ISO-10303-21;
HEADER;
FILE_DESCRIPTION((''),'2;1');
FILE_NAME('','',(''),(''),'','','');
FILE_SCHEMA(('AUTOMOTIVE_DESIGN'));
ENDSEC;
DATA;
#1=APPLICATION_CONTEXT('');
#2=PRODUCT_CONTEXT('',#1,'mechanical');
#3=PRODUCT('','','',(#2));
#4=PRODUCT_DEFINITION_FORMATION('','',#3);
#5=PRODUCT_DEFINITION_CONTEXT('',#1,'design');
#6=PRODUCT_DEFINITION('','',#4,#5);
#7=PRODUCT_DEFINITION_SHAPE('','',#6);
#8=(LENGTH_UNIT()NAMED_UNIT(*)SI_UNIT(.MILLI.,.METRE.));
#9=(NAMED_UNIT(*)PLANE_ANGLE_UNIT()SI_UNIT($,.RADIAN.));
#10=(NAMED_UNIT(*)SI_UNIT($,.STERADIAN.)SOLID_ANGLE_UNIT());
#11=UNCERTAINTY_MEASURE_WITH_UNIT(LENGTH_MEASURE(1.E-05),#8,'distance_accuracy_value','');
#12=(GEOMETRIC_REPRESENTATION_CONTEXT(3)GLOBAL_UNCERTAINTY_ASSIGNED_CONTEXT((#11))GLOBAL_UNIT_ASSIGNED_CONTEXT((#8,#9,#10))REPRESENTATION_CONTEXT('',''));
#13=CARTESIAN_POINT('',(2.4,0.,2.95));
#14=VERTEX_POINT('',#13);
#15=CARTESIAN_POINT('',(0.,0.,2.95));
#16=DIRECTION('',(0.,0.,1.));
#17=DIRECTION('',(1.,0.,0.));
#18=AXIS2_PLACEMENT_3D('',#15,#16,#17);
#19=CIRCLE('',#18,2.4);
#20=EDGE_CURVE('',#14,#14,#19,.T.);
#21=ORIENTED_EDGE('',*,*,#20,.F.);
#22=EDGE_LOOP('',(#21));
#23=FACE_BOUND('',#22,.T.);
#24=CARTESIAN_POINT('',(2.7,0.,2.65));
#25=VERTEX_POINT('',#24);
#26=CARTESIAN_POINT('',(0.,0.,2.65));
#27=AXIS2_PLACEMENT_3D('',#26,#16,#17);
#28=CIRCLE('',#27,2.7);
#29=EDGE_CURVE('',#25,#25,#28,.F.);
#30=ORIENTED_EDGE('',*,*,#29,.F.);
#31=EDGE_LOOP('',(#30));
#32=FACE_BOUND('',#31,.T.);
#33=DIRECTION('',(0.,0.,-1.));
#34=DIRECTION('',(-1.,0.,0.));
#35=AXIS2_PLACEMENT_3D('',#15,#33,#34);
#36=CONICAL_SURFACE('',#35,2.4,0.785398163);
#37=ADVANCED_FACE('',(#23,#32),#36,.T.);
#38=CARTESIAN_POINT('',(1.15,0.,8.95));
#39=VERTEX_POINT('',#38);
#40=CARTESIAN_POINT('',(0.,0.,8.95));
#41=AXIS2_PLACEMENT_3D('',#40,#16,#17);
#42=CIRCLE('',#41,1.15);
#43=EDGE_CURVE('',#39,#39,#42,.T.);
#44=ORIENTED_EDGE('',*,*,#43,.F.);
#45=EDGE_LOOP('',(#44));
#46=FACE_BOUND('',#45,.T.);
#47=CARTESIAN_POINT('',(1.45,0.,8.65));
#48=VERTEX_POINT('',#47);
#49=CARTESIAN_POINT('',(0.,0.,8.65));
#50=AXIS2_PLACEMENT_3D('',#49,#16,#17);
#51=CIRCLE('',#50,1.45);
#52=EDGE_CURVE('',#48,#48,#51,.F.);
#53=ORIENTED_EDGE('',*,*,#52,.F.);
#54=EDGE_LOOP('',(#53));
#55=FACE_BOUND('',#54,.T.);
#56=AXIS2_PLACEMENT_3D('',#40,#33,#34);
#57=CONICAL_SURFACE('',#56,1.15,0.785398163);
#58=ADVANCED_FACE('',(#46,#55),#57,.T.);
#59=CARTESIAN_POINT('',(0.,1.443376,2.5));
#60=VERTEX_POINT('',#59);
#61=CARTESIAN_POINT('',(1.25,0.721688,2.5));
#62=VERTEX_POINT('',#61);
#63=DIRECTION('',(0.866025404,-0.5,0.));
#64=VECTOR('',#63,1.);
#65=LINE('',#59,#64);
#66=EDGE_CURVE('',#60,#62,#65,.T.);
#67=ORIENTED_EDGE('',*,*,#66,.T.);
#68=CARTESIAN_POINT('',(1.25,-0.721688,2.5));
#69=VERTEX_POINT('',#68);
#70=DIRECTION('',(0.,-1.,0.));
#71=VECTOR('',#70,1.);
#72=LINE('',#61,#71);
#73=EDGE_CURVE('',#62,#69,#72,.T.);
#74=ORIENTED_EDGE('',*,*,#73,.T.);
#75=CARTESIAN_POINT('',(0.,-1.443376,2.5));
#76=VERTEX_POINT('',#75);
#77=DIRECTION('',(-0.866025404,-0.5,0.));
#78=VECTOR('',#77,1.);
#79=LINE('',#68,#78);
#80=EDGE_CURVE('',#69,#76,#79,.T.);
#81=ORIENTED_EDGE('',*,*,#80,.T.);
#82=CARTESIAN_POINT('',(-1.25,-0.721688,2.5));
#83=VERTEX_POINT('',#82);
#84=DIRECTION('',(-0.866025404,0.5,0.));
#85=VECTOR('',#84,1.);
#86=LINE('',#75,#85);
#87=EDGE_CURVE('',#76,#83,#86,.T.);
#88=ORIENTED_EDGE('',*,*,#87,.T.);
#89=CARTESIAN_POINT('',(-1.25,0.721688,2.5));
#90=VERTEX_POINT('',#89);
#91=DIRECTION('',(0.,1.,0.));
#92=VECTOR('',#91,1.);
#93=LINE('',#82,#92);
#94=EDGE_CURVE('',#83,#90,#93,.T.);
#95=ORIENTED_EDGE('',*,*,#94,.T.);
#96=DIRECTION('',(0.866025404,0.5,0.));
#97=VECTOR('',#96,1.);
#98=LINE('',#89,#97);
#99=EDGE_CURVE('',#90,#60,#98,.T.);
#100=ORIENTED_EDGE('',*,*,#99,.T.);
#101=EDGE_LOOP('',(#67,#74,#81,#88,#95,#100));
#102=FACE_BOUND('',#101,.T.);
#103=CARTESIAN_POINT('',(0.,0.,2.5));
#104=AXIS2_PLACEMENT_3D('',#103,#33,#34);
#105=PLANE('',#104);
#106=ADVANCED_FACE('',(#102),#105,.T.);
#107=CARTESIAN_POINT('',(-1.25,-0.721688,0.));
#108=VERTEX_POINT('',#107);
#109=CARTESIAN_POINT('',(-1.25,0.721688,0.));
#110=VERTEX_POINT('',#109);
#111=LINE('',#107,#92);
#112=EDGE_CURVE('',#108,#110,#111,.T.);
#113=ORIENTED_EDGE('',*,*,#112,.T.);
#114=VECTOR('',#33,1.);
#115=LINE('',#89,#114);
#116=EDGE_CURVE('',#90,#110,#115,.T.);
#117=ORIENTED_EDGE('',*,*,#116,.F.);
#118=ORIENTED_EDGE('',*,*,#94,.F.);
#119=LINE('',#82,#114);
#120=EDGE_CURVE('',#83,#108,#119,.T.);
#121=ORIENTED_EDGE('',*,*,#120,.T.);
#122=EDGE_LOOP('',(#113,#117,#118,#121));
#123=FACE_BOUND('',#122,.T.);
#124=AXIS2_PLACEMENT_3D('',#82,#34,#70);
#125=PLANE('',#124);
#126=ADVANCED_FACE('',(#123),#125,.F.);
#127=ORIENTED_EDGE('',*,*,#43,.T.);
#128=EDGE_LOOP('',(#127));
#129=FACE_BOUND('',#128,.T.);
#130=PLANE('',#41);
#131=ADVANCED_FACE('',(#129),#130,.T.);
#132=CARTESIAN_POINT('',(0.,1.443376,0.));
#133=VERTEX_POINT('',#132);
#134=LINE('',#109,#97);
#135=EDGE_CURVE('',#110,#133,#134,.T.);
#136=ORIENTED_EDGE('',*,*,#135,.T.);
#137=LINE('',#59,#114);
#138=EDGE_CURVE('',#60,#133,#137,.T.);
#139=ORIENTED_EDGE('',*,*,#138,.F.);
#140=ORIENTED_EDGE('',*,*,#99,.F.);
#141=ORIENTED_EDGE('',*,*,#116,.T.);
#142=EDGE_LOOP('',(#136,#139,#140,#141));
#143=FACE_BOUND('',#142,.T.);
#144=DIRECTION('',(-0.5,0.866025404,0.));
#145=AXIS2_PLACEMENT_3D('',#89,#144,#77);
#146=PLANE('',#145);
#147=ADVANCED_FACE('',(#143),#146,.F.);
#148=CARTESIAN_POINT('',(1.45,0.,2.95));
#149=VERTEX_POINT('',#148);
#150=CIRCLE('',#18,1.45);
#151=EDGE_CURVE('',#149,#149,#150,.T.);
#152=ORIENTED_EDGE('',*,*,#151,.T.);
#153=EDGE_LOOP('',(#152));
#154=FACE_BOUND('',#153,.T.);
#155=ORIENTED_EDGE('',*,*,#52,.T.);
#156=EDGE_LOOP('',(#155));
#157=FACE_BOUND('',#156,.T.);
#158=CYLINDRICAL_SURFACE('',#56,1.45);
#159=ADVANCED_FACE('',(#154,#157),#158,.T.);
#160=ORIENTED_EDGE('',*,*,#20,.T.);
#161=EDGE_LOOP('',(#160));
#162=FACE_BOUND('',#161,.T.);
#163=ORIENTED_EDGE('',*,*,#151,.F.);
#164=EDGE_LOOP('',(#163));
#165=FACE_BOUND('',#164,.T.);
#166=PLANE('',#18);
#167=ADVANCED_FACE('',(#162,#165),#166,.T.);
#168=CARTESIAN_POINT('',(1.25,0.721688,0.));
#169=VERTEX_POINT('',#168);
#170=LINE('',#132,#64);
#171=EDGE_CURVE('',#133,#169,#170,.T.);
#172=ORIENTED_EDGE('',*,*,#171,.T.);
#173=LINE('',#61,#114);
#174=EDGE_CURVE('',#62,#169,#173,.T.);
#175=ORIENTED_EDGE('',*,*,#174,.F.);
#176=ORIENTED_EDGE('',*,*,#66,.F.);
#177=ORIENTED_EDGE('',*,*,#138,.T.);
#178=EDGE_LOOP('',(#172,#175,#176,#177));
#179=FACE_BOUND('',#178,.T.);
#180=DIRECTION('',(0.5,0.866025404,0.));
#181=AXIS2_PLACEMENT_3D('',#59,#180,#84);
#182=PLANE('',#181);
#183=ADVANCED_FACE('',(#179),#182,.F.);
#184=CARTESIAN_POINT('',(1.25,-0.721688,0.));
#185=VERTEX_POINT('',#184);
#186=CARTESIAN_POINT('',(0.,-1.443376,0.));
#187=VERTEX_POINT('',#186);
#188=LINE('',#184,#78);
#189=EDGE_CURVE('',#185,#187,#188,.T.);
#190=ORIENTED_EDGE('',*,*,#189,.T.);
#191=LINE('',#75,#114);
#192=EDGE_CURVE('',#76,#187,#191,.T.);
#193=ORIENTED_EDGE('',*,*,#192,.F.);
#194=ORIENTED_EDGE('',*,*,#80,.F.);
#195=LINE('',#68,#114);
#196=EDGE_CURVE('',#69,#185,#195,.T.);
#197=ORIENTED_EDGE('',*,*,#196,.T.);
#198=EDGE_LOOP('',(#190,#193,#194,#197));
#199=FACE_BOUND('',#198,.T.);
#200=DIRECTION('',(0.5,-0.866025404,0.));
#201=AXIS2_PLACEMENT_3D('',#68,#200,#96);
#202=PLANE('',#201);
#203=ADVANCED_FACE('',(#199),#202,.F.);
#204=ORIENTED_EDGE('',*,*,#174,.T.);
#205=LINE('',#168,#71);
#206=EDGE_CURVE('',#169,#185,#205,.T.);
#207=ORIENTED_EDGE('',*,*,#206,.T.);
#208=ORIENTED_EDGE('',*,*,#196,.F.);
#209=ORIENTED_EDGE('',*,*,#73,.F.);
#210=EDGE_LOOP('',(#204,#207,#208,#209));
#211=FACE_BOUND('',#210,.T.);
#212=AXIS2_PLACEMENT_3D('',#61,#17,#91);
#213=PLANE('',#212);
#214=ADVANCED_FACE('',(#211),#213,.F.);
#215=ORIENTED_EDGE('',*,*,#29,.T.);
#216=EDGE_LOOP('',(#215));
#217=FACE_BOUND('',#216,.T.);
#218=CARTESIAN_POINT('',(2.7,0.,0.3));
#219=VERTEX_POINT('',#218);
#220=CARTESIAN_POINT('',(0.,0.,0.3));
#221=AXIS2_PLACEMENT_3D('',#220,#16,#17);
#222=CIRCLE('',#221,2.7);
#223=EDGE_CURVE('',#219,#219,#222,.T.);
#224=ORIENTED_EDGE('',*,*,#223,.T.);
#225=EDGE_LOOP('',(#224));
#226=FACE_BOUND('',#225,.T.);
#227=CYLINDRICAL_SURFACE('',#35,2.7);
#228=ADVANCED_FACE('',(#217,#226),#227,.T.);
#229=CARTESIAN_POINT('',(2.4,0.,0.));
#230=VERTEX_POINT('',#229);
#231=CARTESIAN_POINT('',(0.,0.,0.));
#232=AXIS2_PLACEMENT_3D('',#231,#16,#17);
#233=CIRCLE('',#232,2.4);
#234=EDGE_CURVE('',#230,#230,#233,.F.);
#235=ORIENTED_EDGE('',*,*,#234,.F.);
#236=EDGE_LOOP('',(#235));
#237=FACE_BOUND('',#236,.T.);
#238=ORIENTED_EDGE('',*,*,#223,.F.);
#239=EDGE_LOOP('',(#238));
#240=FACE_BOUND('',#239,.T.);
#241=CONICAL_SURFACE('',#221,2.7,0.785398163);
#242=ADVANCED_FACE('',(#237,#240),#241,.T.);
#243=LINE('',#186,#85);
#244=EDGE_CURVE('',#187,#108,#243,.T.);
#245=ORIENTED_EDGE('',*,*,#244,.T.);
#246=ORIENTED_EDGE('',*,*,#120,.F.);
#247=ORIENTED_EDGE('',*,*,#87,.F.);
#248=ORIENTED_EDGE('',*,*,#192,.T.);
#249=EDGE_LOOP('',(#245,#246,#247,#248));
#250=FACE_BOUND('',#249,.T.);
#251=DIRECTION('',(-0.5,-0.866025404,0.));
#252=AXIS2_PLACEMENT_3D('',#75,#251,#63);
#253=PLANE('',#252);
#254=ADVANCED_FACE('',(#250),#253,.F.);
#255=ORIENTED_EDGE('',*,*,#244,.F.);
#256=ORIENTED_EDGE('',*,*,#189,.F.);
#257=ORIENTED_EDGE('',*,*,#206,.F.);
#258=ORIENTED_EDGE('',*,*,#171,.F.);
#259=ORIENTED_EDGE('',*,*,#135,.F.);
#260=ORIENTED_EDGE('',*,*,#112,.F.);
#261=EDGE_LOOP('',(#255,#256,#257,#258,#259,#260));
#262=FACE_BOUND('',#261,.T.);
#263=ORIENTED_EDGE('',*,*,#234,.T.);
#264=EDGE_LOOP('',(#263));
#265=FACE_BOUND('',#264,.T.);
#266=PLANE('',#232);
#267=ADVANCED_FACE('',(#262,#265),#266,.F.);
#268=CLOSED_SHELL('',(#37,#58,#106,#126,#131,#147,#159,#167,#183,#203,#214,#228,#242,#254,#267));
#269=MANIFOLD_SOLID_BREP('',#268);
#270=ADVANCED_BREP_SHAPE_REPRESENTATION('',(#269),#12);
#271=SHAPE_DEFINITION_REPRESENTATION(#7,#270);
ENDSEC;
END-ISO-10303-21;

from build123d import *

# Parameters (mm, degrees)
SKIZZE1_R                       = 2.7
AUFSATZ_LINEAR_AUSTRAGEN1_DEPTH = 2.95
SKIZZE2_R                       = 1.45
AUFSATZ_LINEAR_AUSTRAGEN2_DEPTH = 6
FASE1_SIZE                      = 0.3
SCHNITT_LINEAR_AUSTRAGEN1_DEPTH = 2.5


with BuildPart() as part:
    # Skizze1 → Aufsatz-Linear austragen1 (new body)
    with BuildSketch(Plane.XY):
        Circle(SKIZZE1_R)
    extrude(amount=AUFSATZ_LINEAR_AUSTRAGEN1_DEPTH)

    # Skizze2 → Aufsatz-Linear austragen2 (add)
    with BuildSketch(Plane.XY.offset(2.95)):
        Circle(SKIZZE2_R)
    extrude(amount=AUFSATZ_LINEAR_AUSTRAGEN2_DEPTH)

    # Fase1
    fase1_edges = [part.edges().sort_by_distance(p)[0] for p in [
        (-2.7, 0, 0),
        (-2.7, 0, 2.95),
        (-1.45, 0, 8.95),
    ]]
    chamfer(fase1_edges, length=FASE1_SIZE)

    # Skizze3 → Schnitt-Linear austragen1 (cut)
    with BuildSketch(Plane(origin=(0, 0, 0), x_dir=(-1, 0, 0), z_dir=(0, 0, -1))):
        Polygon((1.25, 0.721687836), (0, 1.443375673), (-1.25, 0.721687836), (-1.25, -0.721687836), (0, -1.443375673), (1.25, -0.721687836), align=None)
    extrude(amount=-SCHNITT_LINEAR_AUSTRAGEN1_DEPTH, mode=Mode.SUBTRACT)


solid = part.part
